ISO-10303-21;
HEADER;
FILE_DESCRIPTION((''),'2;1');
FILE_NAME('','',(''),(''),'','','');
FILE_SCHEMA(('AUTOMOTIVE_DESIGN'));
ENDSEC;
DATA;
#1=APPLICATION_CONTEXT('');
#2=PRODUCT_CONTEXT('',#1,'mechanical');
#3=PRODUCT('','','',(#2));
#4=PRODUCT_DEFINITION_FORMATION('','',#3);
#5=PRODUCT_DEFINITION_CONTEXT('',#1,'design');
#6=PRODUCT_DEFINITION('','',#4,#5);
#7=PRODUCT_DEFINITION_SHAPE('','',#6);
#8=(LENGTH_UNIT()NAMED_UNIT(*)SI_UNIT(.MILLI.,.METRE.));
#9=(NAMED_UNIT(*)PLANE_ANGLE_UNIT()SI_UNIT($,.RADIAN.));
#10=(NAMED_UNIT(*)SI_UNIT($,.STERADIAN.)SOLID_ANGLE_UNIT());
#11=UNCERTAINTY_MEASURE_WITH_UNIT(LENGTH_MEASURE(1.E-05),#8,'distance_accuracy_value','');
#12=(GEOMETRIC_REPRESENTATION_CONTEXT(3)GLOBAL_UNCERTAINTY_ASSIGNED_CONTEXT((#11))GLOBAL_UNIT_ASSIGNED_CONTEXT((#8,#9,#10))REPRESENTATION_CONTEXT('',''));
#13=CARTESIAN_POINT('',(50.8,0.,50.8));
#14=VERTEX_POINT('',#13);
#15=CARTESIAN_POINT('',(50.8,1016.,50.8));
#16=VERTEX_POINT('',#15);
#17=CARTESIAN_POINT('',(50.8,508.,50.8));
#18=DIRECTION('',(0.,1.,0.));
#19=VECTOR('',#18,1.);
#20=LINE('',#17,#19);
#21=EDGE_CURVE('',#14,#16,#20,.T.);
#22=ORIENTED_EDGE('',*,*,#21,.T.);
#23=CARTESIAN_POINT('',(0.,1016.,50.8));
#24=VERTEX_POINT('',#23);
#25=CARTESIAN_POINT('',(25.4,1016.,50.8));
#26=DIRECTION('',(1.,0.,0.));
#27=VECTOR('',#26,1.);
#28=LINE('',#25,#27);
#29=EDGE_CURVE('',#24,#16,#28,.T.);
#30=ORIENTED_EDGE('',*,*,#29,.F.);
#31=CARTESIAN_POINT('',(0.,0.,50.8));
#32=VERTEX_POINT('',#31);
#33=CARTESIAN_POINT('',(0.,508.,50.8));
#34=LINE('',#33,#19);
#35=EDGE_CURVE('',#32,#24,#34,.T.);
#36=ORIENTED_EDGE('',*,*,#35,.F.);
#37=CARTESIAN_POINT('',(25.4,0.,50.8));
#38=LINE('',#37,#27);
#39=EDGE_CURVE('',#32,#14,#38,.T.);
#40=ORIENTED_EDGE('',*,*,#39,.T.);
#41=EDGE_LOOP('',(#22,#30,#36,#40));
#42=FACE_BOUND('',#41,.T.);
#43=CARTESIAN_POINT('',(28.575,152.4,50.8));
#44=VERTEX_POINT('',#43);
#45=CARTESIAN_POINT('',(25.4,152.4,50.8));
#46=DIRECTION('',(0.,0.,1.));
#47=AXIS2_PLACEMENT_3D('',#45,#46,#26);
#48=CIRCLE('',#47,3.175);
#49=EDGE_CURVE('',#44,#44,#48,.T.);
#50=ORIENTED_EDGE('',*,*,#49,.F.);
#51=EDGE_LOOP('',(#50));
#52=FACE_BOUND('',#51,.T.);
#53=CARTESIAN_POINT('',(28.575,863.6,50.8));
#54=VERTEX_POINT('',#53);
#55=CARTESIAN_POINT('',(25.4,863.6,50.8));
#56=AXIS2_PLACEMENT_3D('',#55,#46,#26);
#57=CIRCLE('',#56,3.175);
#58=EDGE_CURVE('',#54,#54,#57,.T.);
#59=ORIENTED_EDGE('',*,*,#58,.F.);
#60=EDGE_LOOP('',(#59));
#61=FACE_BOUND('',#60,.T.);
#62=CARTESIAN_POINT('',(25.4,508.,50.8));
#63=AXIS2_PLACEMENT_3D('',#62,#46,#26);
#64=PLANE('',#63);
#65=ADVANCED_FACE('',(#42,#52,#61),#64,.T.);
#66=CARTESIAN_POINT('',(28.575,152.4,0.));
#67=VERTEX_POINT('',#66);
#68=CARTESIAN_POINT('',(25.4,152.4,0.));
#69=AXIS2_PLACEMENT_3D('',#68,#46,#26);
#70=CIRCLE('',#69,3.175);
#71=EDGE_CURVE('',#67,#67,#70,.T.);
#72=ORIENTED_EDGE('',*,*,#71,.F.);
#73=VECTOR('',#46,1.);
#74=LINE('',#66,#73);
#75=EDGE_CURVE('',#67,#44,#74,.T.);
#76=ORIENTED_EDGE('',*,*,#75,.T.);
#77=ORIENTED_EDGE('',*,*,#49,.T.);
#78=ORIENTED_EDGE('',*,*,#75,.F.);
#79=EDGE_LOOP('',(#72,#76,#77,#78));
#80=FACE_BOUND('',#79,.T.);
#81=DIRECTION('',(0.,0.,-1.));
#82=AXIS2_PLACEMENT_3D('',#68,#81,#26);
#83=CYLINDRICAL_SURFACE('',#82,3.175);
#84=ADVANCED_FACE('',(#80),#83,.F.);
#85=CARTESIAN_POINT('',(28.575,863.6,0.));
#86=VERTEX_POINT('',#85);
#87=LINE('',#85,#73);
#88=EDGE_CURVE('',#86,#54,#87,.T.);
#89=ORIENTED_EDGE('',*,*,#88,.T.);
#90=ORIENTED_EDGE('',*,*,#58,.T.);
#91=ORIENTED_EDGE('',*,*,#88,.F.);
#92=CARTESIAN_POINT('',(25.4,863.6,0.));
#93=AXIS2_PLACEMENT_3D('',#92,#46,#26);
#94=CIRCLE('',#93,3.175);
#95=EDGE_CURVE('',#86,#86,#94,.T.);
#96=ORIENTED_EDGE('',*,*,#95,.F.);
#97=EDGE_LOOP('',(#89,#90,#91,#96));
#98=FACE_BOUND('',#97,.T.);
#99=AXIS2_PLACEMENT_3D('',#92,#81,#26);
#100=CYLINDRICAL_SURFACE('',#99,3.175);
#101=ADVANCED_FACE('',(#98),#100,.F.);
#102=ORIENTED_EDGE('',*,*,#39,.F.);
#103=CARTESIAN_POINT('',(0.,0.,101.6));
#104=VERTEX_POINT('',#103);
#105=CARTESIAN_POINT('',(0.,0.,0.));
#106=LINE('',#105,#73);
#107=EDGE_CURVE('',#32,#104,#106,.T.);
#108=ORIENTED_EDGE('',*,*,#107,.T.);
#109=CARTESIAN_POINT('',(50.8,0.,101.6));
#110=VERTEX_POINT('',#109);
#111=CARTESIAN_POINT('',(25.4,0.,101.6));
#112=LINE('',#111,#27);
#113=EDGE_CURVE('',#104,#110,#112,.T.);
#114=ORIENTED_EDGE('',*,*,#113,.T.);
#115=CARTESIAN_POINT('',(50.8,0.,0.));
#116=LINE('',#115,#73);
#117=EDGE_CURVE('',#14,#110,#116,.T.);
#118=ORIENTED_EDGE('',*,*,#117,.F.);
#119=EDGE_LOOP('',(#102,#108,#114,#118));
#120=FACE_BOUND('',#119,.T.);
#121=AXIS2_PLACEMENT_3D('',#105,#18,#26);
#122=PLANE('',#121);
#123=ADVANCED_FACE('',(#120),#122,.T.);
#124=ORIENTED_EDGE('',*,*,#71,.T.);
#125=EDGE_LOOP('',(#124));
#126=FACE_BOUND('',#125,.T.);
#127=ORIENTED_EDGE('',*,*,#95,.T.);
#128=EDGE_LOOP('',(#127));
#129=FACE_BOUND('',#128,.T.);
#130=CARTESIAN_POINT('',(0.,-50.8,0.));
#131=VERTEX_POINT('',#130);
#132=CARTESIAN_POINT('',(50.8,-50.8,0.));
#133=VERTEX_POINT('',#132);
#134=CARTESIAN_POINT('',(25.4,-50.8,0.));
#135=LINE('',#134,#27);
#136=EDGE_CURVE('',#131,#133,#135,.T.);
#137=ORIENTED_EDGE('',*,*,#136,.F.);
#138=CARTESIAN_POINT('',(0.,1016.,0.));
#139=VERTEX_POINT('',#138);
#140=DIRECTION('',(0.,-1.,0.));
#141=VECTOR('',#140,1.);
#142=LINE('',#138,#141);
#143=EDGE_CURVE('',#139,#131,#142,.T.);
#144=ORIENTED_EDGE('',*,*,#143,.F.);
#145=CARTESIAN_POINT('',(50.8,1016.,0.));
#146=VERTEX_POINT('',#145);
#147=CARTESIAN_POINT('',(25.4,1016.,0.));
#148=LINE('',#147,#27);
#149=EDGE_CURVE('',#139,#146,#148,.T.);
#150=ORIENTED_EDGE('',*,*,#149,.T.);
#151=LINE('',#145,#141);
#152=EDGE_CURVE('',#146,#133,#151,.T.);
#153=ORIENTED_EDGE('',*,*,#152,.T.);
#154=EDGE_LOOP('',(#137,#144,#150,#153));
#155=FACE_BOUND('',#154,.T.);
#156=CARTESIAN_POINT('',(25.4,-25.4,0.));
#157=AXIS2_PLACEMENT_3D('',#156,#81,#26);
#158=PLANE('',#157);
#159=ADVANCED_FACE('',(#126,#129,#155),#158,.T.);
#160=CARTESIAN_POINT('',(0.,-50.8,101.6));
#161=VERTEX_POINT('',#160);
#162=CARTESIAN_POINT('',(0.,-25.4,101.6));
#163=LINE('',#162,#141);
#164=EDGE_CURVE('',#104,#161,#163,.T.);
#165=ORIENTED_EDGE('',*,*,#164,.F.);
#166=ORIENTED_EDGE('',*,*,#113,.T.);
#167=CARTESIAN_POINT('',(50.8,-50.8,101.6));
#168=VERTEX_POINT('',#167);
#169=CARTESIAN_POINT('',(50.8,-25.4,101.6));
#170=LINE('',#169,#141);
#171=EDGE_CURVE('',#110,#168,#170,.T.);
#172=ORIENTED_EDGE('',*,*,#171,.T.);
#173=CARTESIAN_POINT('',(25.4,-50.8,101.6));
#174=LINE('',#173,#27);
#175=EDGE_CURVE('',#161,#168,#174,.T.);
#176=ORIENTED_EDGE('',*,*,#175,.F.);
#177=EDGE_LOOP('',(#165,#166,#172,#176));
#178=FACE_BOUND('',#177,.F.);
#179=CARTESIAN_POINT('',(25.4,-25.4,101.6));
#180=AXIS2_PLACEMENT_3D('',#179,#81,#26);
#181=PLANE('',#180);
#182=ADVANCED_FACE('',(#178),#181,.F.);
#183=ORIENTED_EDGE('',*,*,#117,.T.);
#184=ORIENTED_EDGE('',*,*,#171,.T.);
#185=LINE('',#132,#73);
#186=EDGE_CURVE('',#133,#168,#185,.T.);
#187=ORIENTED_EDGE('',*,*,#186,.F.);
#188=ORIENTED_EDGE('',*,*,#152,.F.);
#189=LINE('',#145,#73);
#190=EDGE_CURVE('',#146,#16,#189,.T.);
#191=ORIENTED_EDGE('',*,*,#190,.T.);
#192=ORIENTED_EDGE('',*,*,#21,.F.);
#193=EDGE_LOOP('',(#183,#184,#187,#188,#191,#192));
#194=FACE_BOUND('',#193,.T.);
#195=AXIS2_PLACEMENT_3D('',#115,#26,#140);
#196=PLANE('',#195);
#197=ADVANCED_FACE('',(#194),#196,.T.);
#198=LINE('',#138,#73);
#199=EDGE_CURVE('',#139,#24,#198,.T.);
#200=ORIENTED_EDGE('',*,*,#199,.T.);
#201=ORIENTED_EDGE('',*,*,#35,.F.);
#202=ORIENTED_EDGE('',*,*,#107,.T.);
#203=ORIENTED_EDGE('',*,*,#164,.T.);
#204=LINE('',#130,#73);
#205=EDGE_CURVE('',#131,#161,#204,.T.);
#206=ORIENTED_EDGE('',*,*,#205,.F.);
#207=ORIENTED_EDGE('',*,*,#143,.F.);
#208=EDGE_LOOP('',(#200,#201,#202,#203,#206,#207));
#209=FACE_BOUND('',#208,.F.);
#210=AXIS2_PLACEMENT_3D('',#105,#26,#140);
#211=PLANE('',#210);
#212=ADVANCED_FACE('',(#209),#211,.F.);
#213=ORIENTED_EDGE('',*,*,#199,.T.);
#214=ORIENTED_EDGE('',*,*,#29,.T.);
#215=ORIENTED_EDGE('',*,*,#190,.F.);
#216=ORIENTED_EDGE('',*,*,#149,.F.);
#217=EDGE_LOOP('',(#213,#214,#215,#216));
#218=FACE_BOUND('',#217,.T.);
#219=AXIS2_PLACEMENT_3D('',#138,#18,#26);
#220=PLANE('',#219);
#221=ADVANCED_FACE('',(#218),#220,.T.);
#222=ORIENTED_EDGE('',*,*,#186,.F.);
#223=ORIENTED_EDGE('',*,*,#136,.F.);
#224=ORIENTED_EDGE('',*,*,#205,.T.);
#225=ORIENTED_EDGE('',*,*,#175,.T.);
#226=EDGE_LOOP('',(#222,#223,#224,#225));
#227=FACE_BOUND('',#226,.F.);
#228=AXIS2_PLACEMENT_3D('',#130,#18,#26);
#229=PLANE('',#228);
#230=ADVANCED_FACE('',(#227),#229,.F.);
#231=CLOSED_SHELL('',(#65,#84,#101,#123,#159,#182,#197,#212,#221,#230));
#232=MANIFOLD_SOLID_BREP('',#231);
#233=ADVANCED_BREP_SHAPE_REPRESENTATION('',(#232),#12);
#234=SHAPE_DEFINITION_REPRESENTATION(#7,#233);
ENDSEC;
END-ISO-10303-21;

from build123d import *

# Parameters (mm, degrees)
F0_W     = 50.8
F0_H     = 1016
F0_R     = 3.175
F1_DEPTH = 50.8
F2_W     = 50.8
F2_H     = 50.8
F3_DEPTH = 101.6


with BuildPart() as f1:
    # F0 (on Top) → F1 (new body)
    with BuildSketch(Plane.XY):
        with Locations((25.4, 508)):
            Rectangle(F0_W, F0_H)
        with Locations((25.4, 152.4)):
            Circle(F0_R, mode=Mode.SUBTRACT)
        with Locations((25.4, 863.6)):
            Circle(F0_R, mode=Mode.SUBTRACT)
    extrude(amount=F1_DEPTH)

    # F2 (on face) → F3 (join)
    with BuildSketch(Plane(origin=(0, 0, 0), x_dir=(1, 0, 0), z_dir=(0, 0, -1))):
        with Locations((25.4, 25.4)):
            Rectangle(F2_W, F2_H)
    extrude(amount=-F3_DEPTH)


solid = f1.part
